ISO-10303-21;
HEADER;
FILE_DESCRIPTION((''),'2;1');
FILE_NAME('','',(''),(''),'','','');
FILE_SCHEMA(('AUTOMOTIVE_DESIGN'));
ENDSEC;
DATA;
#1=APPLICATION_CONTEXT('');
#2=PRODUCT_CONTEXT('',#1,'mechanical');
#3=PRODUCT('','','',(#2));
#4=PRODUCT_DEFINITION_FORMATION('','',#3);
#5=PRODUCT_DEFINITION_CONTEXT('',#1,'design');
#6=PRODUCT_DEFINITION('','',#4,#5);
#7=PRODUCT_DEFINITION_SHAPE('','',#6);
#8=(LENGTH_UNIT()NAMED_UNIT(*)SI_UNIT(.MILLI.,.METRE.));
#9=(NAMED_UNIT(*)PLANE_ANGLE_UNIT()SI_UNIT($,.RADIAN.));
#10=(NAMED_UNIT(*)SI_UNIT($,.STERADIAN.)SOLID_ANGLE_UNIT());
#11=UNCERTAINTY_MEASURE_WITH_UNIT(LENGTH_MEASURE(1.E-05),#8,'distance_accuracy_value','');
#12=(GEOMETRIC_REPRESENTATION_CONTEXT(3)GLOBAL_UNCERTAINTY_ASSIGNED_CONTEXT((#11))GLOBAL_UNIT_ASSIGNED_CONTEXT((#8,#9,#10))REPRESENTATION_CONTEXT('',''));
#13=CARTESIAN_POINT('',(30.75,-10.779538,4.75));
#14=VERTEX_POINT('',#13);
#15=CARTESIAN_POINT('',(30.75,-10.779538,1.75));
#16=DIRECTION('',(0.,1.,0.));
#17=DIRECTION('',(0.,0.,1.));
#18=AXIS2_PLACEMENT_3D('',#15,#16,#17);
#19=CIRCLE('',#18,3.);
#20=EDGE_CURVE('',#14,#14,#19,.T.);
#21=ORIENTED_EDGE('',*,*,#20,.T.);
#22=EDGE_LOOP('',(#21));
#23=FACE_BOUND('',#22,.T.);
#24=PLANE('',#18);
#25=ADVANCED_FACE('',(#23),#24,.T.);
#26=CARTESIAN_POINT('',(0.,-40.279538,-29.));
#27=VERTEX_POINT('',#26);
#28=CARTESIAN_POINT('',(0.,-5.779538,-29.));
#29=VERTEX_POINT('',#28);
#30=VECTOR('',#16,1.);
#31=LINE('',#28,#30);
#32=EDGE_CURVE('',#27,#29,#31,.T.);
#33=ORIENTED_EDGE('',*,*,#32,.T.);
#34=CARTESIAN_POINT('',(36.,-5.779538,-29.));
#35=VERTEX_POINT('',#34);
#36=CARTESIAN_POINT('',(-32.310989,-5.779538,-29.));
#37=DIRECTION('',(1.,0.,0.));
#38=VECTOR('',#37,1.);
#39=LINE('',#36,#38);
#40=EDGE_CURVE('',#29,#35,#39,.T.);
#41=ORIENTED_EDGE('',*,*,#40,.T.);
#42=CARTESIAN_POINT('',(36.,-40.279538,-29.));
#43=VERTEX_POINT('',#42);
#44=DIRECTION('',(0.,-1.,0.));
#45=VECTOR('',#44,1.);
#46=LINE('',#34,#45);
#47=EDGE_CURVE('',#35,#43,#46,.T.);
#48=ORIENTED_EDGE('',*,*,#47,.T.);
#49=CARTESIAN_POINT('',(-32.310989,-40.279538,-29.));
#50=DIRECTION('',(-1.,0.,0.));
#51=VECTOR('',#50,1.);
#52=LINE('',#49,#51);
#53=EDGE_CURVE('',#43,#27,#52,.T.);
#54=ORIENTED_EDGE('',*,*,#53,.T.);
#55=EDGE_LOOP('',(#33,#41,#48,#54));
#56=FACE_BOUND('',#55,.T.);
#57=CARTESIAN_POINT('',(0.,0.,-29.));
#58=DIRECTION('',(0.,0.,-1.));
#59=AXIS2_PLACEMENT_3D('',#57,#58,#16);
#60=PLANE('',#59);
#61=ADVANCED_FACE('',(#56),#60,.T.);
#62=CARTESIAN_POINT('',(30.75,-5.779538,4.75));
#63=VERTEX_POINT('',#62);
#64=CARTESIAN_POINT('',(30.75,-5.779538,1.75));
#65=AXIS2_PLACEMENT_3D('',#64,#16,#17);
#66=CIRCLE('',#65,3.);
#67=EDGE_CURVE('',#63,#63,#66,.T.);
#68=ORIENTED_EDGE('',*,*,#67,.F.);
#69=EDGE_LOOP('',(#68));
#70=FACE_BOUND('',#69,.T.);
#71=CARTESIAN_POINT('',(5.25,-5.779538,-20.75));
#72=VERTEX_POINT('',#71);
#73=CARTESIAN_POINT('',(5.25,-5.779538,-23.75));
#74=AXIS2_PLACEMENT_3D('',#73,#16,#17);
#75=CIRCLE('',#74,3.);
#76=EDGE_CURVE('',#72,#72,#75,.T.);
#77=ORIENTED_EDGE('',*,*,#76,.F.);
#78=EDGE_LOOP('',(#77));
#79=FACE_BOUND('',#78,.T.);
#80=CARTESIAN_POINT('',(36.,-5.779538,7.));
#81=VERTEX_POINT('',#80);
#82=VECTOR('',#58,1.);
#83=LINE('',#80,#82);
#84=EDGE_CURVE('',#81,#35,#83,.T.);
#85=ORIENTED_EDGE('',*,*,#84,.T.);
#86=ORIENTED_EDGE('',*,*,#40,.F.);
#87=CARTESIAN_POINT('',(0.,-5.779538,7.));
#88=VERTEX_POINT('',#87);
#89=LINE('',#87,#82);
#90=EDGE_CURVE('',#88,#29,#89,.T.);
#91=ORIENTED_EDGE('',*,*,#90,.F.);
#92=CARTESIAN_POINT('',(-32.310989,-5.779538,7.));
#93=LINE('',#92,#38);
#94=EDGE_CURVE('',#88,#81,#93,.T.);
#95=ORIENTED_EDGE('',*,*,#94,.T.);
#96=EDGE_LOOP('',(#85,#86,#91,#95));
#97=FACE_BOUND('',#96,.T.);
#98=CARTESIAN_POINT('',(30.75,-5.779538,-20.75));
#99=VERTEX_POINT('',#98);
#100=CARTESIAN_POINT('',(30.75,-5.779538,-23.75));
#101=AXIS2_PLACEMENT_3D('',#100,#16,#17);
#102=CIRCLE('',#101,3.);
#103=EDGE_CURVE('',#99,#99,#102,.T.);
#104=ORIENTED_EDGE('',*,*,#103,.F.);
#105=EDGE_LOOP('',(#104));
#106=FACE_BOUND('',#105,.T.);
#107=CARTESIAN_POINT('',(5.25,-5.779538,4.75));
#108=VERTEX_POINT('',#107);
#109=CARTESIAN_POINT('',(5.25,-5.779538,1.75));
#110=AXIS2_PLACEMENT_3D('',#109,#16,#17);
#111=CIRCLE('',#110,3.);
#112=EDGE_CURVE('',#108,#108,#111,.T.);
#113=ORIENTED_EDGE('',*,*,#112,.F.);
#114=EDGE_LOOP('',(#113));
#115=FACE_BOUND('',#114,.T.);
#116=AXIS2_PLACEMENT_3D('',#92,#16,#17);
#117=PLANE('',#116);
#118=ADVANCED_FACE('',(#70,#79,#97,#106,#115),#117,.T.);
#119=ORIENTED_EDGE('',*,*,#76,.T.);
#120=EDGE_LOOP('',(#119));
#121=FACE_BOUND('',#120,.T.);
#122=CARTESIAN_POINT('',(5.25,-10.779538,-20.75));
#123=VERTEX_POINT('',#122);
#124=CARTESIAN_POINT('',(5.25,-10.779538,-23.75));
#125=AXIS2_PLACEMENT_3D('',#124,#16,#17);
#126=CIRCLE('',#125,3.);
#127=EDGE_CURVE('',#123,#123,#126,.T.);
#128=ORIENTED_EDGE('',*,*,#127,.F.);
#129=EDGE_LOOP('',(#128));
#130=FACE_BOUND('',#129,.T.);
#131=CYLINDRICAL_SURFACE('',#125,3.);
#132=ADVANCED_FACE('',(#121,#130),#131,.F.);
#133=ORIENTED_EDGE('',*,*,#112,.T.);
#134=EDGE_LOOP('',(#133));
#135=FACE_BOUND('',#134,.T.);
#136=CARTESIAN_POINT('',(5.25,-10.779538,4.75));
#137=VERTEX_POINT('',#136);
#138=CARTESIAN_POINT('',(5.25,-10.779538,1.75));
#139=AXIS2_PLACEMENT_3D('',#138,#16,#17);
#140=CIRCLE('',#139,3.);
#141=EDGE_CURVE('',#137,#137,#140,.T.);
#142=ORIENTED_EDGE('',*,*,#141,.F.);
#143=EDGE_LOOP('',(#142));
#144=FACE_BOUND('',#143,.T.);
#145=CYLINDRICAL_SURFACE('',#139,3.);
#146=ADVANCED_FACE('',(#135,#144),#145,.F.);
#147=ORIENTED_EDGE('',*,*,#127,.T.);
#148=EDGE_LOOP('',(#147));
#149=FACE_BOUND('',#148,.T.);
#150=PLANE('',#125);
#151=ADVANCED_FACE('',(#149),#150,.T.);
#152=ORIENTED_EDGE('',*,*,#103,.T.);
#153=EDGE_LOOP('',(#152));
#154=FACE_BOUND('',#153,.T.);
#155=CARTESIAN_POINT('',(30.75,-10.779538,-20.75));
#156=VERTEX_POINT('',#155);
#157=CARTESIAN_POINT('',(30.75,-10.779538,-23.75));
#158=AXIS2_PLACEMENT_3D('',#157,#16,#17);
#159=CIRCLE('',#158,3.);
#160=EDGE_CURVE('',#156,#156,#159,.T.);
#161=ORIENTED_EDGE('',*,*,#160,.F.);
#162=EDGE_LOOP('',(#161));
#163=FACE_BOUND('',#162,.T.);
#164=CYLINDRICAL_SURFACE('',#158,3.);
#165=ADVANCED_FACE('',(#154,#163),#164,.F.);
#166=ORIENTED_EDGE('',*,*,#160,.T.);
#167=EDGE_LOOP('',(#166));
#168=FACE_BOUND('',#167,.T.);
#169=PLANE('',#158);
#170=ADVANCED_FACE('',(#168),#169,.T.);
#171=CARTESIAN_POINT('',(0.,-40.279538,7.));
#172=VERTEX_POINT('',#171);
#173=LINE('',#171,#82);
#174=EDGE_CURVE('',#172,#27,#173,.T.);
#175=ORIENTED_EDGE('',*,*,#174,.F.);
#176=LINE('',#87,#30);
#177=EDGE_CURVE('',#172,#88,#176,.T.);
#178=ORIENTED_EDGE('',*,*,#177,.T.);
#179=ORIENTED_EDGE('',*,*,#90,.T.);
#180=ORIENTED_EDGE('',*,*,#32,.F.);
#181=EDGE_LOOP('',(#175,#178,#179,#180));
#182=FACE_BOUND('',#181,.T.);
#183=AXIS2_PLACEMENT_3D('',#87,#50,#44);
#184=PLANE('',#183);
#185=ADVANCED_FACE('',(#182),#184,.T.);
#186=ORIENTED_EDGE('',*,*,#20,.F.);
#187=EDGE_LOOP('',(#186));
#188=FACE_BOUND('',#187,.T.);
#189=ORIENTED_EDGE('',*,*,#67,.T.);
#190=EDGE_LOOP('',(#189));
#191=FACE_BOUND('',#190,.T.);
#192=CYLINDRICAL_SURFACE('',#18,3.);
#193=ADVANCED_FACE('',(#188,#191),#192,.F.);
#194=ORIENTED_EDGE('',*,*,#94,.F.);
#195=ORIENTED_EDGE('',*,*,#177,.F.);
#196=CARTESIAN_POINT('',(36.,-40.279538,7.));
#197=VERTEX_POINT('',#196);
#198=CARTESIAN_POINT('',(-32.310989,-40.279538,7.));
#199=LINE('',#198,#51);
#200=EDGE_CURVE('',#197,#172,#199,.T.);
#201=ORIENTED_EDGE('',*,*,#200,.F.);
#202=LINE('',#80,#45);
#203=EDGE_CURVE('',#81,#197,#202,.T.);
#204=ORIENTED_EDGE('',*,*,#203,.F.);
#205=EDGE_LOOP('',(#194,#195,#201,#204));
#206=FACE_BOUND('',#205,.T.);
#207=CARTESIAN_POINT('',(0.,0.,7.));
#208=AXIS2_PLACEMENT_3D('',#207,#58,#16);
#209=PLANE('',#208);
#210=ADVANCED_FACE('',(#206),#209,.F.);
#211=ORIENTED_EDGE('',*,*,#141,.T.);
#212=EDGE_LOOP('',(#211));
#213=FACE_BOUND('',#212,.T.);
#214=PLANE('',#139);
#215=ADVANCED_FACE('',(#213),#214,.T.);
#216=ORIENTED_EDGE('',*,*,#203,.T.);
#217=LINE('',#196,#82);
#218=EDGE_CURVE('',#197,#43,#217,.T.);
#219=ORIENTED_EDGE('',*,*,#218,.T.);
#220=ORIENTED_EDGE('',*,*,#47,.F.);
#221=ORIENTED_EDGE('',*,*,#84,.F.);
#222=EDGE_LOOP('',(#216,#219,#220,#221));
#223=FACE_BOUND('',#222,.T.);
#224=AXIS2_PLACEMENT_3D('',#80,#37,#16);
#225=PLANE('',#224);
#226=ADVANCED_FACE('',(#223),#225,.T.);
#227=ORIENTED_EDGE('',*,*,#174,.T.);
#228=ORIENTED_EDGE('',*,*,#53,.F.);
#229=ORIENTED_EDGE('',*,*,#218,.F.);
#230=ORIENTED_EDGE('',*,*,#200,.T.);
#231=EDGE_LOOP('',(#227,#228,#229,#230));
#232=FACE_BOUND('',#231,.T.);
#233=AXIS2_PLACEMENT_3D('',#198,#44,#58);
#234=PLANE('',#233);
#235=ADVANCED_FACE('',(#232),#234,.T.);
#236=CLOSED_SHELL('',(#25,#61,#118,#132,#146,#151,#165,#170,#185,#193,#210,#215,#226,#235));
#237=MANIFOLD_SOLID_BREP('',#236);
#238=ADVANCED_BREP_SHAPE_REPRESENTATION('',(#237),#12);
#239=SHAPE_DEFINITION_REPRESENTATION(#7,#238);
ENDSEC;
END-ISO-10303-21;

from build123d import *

# Parameters (mm, degrees)
EXTRUDE_START       = -29
SKETCH_1_W          = 36
SKETCH_1_H          = 34.5
EXTRUDE_1_DEPTH     = 36
SKETCH_2_R          = 3
CUT_EXTRUDE_1_DEPTH = 5


with BuildPart() as part:
    # ｽｹｯﾁ1 → ﾎﾞｽ - 押し出し1 (new body)
    with BuildSketch(Plane.XY.offset(EXTRUDE_START)):
        with Locations((18, -23.029537634)):
            Rectangle(SKETCH_1_W, SKETCH_1_H)
    extrude(amount=EXTRUDE_1_DEPTH)

    # ｽｹｯﾁ2 → ｶｯﾄ - 押し出し1 (cut)
    with BuildSketch(Plane(origin=(0, -5.779537634, 0), x_dir=(1, 0, 0), z_dir=(0, 1, 0))):
        with Locations((30.75, 23.75)):
            Circle(SKETCH_2_R)
        with Locations((30.75, -1.75)):
            Circle(SKETCH_2_R)
        with Locations((5.25, -1.75)):
            Circle(SKETCH_2_R)
        with Locations((5.25, 23.75)):
            Circle(SKETCH_2_R)
    extrude(amount=-CUT_EXTRUDE_1_DEPTH, mode=Mode.SUBTRACT)


solid = part.part
